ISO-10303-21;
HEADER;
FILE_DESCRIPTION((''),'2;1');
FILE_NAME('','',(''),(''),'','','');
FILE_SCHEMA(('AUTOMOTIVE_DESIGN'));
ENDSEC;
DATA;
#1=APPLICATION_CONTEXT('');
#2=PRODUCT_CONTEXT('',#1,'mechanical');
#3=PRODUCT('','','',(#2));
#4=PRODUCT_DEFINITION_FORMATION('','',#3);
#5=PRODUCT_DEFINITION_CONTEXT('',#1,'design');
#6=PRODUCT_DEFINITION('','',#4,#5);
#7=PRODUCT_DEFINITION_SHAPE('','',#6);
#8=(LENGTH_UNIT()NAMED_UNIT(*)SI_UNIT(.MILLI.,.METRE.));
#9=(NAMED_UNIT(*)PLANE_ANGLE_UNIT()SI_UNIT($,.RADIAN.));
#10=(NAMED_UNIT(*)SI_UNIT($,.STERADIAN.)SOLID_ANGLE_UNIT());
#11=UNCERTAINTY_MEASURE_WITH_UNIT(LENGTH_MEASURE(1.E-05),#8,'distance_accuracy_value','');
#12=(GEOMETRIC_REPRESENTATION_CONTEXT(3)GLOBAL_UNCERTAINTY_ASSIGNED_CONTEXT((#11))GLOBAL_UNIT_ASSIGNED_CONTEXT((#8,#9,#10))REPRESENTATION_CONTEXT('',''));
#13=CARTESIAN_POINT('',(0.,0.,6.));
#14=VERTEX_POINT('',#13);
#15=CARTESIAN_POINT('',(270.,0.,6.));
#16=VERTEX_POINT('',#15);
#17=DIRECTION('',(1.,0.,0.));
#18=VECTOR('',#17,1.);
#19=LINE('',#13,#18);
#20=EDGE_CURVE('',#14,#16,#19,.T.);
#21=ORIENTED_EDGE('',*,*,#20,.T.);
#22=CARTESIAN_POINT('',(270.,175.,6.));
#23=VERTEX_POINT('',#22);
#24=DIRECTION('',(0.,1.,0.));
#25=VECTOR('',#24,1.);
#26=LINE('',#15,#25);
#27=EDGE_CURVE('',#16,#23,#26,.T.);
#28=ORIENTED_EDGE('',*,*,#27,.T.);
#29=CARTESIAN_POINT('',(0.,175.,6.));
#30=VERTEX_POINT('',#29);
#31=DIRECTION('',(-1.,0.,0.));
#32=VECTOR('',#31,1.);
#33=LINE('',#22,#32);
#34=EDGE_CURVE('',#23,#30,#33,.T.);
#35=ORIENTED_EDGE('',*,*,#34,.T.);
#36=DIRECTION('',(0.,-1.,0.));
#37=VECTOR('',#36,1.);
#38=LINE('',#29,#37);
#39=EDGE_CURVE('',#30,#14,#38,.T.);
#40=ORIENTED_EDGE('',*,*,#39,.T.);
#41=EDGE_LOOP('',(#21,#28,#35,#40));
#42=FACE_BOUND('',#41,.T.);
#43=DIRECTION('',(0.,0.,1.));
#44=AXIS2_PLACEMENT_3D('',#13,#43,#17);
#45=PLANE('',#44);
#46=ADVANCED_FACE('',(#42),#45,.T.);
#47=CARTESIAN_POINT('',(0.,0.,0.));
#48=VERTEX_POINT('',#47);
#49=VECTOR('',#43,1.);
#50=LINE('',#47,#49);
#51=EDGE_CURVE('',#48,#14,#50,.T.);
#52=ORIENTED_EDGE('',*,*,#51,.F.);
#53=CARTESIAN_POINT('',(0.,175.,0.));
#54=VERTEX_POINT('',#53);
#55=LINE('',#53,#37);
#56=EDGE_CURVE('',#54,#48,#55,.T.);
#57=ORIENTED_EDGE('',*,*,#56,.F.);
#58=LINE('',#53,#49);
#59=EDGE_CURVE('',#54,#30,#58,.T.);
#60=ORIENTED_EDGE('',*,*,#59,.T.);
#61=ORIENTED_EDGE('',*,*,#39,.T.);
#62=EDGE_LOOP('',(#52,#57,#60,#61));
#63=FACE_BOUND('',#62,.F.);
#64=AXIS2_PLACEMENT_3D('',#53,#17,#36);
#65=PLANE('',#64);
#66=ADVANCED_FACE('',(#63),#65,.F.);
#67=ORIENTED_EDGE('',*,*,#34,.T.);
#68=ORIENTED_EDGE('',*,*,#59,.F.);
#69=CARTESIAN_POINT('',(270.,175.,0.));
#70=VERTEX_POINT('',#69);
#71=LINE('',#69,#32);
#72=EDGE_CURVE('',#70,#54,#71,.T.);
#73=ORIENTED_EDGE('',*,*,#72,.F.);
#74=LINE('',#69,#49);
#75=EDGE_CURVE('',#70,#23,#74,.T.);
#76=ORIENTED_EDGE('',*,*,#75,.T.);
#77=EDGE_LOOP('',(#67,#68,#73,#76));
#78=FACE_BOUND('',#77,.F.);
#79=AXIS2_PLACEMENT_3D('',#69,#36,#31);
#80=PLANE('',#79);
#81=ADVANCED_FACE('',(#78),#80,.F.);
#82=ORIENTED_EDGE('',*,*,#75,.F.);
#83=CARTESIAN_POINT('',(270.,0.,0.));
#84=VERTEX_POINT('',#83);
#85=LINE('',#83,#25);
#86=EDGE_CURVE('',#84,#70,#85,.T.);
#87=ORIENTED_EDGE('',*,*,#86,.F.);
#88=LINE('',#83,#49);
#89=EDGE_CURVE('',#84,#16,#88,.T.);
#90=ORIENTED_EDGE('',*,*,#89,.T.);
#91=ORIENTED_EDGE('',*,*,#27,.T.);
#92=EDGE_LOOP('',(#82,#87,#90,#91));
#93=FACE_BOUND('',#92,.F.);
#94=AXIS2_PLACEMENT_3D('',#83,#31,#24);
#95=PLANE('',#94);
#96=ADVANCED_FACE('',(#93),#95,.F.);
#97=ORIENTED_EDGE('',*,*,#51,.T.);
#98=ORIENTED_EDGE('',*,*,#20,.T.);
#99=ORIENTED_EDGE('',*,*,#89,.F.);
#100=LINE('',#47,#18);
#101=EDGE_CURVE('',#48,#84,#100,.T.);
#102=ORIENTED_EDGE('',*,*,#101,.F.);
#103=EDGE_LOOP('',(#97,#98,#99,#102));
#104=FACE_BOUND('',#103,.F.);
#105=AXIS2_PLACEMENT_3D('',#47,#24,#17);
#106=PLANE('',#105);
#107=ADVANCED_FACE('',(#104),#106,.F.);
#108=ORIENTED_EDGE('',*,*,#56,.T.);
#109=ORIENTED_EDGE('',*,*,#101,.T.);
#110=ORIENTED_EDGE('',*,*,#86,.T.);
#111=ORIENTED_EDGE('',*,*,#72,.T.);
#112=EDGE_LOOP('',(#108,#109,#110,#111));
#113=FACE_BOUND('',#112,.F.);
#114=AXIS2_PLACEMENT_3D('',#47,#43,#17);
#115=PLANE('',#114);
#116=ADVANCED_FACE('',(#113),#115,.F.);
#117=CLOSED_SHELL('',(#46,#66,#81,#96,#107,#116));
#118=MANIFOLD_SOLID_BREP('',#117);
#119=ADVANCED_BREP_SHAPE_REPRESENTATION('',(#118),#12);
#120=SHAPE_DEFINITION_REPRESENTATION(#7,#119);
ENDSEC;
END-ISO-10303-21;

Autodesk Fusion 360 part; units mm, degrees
sketch "Base Plate" plane through (0, 0, 0) normal (0, 0, 1) x (1, 0, 0)
  line L0 (0, 0) -> (270, 0)
  line L1 (270, 0) -> (270, 175)
  line L2 (270, 175) -> (0, 175)
  line L3 (0, 175) -> (0, 0)
  dimension "d6" = 270
  dimension "d9" = 175
extrude "Extrude1" add sketch "Base Plate" along normal blind 6
equation "MDFThickness = 6 mm" comment "Thickness of the MDF board"
equation "d2 = MDFThickness"
equation "d9 = sidePanelDepth - 2 * clearance"
equation "clearance = 10 mm" comment "Clearance between side panel edge and main body edge"
equation "sidePanelDepth = 195 mm" comment "Depth of the side panel"
